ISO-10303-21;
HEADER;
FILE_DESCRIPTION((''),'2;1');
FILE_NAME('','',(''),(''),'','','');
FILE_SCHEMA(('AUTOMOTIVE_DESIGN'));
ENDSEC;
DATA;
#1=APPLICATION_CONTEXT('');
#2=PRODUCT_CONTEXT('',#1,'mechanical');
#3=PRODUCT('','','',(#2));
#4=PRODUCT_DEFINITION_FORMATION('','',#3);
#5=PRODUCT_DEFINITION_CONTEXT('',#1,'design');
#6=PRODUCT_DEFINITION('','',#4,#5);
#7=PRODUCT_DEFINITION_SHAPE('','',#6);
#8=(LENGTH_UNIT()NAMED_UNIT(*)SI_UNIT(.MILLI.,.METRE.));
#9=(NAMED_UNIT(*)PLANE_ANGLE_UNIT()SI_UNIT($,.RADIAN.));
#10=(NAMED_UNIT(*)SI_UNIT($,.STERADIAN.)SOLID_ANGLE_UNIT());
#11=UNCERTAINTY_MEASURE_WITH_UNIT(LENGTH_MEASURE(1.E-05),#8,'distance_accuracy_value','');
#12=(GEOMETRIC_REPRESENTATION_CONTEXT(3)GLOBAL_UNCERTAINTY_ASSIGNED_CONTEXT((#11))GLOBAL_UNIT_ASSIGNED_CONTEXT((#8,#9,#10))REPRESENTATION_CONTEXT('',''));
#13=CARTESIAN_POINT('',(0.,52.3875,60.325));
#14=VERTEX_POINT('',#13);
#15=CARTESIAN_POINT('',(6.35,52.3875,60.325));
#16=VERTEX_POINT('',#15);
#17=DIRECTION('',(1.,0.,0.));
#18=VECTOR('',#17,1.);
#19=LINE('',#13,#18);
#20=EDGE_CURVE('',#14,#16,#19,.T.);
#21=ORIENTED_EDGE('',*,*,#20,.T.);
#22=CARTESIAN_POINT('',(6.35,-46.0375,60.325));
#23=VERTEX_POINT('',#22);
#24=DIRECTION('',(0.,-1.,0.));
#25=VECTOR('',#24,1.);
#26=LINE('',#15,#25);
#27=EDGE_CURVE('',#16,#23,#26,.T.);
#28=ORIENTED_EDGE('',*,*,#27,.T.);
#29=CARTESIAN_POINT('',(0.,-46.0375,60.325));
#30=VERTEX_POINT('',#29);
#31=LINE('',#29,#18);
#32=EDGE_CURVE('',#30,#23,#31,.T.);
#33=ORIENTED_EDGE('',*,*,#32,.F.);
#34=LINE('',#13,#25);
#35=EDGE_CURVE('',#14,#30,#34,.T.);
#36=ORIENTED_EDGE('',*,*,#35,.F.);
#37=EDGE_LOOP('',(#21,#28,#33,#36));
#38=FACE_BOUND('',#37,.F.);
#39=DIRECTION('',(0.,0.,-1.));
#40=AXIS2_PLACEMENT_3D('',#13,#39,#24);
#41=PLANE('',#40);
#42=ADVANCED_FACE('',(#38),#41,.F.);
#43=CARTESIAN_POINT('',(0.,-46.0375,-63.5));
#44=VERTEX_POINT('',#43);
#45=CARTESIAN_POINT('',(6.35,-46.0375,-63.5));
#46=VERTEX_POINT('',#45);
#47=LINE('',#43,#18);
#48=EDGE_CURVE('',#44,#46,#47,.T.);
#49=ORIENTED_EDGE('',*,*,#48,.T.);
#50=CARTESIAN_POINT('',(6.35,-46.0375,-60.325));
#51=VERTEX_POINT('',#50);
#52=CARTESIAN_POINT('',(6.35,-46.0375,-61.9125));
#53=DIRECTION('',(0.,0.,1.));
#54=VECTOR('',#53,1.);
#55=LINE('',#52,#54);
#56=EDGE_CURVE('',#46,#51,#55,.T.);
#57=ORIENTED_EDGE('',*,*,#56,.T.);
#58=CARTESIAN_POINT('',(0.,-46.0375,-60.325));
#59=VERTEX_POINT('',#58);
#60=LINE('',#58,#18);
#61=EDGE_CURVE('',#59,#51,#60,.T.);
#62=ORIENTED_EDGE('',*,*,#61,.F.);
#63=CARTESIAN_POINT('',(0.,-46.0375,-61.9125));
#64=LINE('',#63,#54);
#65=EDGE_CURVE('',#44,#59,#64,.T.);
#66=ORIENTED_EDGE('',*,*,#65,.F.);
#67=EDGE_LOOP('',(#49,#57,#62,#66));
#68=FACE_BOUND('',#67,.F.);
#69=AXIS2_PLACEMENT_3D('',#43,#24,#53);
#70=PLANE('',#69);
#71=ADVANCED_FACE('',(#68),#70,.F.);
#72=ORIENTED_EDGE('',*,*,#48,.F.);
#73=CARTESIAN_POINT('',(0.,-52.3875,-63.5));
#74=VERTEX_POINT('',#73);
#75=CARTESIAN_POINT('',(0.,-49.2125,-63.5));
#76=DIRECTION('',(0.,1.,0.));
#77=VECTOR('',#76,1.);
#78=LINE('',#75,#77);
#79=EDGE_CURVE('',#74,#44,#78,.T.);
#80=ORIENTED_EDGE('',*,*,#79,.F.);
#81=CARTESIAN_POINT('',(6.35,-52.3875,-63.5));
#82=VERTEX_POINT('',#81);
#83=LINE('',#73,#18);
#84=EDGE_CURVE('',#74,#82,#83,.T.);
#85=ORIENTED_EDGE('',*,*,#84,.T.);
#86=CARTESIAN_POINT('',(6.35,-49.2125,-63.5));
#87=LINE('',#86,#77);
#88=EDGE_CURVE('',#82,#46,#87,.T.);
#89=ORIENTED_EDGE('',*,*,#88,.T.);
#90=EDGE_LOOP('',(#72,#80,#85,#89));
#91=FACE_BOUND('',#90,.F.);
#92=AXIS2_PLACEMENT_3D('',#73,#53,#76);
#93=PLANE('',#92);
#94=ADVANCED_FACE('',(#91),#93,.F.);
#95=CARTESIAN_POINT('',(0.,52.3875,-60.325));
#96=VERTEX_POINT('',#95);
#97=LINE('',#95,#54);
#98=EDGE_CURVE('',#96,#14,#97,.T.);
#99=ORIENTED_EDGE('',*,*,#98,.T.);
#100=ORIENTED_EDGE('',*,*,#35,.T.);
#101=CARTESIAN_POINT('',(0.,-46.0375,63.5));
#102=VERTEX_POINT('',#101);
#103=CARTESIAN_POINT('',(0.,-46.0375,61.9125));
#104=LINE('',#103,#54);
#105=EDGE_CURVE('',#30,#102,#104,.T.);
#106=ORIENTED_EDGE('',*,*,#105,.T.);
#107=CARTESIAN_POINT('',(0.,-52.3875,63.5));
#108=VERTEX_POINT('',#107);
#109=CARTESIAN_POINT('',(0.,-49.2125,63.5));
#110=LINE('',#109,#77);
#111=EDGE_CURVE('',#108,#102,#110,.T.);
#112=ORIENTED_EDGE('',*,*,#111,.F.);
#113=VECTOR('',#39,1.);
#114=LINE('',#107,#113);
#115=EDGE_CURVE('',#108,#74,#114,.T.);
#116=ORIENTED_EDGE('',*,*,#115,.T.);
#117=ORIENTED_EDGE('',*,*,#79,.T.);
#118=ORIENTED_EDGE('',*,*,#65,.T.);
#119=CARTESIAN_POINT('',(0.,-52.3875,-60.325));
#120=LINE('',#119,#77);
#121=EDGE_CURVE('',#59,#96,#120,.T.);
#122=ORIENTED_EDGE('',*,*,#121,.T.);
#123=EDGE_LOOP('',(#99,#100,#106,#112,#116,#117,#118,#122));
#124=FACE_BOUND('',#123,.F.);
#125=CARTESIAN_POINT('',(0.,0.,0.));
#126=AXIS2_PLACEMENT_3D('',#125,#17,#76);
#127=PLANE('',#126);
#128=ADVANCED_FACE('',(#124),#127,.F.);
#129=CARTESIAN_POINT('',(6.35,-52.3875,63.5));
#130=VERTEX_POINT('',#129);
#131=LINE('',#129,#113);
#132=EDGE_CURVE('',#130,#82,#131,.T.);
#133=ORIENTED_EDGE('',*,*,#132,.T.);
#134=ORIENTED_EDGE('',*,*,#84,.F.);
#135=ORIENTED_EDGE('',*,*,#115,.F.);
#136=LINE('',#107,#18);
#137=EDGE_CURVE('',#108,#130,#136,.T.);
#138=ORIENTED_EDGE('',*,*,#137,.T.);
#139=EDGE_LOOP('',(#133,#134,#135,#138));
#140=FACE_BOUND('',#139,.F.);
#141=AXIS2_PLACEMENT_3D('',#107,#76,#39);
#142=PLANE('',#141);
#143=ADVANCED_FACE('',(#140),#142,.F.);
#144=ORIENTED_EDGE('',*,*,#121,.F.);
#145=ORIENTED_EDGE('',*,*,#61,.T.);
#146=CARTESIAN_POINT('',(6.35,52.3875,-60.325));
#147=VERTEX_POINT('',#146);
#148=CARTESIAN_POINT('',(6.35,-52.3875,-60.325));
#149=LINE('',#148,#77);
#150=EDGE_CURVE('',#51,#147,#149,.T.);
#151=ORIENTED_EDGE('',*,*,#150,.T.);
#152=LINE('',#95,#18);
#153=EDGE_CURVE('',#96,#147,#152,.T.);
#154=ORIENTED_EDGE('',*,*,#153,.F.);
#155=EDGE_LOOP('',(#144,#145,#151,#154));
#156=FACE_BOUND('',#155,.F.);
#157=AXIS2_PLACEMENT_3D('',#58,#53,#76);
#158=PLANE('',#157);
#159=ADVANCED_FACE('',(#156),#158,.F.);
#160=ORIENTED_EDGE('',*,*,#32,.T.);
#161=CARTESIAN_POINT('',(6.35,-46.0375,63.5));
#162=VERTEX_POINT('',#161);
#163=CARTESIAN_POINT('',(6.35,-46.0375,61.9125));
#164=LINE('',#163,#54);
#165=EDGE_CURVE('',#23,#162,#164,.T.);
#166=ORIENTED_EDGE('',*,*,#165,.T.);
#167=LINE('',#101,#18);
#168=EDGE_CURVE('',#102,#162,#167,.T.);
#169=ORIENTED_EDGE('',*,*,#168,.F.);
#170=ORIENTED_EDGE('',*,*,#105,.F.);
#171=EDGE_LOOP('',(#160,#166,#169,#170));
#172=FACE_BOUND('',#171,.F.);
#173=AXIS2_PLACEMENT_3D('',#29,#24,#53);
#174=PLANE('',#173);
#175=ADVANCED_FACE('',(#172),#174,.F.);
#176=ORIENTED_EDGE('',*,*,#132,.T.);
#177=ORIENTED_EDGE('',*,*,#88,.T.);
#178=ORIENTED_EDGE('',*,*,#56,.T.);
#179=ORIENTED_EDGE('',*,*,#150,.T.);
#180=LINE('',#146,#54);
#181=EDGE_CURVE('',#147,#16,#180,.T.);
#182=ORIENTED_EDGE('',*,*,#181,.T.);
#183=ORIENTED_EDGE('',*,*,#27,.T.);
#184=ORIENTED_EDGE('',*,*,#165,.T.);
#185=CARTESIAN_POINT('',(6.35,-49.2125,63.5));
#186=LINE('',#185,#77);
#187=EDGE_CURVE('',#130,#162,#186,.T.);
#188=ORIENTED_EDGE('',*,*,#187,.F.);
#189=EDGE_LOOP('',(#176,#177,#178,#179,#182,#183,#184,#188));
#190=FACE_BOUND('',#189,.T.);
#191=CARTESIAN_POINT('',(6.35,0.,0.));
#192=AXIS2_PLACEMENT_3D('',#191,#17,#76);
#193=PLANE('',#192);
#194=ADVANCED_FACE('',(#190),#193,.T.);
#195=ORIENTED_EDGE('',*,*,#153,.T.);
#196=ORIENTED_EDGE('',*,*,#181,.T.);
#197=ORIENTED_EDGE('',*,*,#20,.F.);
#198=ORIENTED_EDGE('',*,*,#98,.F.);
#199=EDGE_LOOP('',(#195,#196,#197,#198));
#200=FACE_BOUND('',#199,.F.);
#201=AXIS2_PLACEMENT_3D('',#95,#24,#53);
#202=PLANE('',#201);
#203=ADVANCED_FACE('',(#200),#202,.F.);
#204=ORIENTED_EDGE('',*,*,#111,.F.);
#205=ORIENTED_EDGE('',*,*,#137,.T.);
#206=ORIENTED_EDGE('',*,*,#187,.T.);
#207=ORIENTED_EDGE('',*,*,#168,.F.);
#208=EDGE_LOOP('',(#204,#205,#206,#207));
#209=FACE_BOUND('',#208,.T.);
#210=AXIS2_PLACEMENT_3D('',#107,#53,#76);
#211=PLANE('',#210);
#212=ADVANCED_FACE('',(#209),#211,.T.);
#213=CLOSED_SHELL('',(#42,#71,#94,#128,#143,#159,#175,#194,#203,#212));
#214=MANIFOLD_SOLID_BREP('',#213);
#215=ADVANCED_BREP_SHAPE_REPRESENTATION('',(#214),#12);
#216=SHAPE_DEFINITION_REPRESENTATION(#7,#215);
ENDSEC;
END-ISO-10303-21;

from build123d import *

# Parameters (mm, degrees)
F0_W     = 6.35
F0_H     = 3.175
F1_DEPTH = 6.35


with BuildPart() as f1:
    # F0 (on Right) → F1 (new body)
    with BuildSketch(Plane.YZ):
        Polygon((52.3875, -60.325), (52.3875, 60.325), (-46.0375, 60.325), (-52.3875, 60.325), (-52.3875, -60.325), (-46.0375, -60.325), align=None)
        with Locations((-49.2125, 61.9125)):
            Rectangle(F0_W, F0_H)
        with Locations((-49.2125, -61.9125)):
            Rectangle(F0_W, F0_H)
    extrude(amount=F1_DEPTH)


solid = f1.part
